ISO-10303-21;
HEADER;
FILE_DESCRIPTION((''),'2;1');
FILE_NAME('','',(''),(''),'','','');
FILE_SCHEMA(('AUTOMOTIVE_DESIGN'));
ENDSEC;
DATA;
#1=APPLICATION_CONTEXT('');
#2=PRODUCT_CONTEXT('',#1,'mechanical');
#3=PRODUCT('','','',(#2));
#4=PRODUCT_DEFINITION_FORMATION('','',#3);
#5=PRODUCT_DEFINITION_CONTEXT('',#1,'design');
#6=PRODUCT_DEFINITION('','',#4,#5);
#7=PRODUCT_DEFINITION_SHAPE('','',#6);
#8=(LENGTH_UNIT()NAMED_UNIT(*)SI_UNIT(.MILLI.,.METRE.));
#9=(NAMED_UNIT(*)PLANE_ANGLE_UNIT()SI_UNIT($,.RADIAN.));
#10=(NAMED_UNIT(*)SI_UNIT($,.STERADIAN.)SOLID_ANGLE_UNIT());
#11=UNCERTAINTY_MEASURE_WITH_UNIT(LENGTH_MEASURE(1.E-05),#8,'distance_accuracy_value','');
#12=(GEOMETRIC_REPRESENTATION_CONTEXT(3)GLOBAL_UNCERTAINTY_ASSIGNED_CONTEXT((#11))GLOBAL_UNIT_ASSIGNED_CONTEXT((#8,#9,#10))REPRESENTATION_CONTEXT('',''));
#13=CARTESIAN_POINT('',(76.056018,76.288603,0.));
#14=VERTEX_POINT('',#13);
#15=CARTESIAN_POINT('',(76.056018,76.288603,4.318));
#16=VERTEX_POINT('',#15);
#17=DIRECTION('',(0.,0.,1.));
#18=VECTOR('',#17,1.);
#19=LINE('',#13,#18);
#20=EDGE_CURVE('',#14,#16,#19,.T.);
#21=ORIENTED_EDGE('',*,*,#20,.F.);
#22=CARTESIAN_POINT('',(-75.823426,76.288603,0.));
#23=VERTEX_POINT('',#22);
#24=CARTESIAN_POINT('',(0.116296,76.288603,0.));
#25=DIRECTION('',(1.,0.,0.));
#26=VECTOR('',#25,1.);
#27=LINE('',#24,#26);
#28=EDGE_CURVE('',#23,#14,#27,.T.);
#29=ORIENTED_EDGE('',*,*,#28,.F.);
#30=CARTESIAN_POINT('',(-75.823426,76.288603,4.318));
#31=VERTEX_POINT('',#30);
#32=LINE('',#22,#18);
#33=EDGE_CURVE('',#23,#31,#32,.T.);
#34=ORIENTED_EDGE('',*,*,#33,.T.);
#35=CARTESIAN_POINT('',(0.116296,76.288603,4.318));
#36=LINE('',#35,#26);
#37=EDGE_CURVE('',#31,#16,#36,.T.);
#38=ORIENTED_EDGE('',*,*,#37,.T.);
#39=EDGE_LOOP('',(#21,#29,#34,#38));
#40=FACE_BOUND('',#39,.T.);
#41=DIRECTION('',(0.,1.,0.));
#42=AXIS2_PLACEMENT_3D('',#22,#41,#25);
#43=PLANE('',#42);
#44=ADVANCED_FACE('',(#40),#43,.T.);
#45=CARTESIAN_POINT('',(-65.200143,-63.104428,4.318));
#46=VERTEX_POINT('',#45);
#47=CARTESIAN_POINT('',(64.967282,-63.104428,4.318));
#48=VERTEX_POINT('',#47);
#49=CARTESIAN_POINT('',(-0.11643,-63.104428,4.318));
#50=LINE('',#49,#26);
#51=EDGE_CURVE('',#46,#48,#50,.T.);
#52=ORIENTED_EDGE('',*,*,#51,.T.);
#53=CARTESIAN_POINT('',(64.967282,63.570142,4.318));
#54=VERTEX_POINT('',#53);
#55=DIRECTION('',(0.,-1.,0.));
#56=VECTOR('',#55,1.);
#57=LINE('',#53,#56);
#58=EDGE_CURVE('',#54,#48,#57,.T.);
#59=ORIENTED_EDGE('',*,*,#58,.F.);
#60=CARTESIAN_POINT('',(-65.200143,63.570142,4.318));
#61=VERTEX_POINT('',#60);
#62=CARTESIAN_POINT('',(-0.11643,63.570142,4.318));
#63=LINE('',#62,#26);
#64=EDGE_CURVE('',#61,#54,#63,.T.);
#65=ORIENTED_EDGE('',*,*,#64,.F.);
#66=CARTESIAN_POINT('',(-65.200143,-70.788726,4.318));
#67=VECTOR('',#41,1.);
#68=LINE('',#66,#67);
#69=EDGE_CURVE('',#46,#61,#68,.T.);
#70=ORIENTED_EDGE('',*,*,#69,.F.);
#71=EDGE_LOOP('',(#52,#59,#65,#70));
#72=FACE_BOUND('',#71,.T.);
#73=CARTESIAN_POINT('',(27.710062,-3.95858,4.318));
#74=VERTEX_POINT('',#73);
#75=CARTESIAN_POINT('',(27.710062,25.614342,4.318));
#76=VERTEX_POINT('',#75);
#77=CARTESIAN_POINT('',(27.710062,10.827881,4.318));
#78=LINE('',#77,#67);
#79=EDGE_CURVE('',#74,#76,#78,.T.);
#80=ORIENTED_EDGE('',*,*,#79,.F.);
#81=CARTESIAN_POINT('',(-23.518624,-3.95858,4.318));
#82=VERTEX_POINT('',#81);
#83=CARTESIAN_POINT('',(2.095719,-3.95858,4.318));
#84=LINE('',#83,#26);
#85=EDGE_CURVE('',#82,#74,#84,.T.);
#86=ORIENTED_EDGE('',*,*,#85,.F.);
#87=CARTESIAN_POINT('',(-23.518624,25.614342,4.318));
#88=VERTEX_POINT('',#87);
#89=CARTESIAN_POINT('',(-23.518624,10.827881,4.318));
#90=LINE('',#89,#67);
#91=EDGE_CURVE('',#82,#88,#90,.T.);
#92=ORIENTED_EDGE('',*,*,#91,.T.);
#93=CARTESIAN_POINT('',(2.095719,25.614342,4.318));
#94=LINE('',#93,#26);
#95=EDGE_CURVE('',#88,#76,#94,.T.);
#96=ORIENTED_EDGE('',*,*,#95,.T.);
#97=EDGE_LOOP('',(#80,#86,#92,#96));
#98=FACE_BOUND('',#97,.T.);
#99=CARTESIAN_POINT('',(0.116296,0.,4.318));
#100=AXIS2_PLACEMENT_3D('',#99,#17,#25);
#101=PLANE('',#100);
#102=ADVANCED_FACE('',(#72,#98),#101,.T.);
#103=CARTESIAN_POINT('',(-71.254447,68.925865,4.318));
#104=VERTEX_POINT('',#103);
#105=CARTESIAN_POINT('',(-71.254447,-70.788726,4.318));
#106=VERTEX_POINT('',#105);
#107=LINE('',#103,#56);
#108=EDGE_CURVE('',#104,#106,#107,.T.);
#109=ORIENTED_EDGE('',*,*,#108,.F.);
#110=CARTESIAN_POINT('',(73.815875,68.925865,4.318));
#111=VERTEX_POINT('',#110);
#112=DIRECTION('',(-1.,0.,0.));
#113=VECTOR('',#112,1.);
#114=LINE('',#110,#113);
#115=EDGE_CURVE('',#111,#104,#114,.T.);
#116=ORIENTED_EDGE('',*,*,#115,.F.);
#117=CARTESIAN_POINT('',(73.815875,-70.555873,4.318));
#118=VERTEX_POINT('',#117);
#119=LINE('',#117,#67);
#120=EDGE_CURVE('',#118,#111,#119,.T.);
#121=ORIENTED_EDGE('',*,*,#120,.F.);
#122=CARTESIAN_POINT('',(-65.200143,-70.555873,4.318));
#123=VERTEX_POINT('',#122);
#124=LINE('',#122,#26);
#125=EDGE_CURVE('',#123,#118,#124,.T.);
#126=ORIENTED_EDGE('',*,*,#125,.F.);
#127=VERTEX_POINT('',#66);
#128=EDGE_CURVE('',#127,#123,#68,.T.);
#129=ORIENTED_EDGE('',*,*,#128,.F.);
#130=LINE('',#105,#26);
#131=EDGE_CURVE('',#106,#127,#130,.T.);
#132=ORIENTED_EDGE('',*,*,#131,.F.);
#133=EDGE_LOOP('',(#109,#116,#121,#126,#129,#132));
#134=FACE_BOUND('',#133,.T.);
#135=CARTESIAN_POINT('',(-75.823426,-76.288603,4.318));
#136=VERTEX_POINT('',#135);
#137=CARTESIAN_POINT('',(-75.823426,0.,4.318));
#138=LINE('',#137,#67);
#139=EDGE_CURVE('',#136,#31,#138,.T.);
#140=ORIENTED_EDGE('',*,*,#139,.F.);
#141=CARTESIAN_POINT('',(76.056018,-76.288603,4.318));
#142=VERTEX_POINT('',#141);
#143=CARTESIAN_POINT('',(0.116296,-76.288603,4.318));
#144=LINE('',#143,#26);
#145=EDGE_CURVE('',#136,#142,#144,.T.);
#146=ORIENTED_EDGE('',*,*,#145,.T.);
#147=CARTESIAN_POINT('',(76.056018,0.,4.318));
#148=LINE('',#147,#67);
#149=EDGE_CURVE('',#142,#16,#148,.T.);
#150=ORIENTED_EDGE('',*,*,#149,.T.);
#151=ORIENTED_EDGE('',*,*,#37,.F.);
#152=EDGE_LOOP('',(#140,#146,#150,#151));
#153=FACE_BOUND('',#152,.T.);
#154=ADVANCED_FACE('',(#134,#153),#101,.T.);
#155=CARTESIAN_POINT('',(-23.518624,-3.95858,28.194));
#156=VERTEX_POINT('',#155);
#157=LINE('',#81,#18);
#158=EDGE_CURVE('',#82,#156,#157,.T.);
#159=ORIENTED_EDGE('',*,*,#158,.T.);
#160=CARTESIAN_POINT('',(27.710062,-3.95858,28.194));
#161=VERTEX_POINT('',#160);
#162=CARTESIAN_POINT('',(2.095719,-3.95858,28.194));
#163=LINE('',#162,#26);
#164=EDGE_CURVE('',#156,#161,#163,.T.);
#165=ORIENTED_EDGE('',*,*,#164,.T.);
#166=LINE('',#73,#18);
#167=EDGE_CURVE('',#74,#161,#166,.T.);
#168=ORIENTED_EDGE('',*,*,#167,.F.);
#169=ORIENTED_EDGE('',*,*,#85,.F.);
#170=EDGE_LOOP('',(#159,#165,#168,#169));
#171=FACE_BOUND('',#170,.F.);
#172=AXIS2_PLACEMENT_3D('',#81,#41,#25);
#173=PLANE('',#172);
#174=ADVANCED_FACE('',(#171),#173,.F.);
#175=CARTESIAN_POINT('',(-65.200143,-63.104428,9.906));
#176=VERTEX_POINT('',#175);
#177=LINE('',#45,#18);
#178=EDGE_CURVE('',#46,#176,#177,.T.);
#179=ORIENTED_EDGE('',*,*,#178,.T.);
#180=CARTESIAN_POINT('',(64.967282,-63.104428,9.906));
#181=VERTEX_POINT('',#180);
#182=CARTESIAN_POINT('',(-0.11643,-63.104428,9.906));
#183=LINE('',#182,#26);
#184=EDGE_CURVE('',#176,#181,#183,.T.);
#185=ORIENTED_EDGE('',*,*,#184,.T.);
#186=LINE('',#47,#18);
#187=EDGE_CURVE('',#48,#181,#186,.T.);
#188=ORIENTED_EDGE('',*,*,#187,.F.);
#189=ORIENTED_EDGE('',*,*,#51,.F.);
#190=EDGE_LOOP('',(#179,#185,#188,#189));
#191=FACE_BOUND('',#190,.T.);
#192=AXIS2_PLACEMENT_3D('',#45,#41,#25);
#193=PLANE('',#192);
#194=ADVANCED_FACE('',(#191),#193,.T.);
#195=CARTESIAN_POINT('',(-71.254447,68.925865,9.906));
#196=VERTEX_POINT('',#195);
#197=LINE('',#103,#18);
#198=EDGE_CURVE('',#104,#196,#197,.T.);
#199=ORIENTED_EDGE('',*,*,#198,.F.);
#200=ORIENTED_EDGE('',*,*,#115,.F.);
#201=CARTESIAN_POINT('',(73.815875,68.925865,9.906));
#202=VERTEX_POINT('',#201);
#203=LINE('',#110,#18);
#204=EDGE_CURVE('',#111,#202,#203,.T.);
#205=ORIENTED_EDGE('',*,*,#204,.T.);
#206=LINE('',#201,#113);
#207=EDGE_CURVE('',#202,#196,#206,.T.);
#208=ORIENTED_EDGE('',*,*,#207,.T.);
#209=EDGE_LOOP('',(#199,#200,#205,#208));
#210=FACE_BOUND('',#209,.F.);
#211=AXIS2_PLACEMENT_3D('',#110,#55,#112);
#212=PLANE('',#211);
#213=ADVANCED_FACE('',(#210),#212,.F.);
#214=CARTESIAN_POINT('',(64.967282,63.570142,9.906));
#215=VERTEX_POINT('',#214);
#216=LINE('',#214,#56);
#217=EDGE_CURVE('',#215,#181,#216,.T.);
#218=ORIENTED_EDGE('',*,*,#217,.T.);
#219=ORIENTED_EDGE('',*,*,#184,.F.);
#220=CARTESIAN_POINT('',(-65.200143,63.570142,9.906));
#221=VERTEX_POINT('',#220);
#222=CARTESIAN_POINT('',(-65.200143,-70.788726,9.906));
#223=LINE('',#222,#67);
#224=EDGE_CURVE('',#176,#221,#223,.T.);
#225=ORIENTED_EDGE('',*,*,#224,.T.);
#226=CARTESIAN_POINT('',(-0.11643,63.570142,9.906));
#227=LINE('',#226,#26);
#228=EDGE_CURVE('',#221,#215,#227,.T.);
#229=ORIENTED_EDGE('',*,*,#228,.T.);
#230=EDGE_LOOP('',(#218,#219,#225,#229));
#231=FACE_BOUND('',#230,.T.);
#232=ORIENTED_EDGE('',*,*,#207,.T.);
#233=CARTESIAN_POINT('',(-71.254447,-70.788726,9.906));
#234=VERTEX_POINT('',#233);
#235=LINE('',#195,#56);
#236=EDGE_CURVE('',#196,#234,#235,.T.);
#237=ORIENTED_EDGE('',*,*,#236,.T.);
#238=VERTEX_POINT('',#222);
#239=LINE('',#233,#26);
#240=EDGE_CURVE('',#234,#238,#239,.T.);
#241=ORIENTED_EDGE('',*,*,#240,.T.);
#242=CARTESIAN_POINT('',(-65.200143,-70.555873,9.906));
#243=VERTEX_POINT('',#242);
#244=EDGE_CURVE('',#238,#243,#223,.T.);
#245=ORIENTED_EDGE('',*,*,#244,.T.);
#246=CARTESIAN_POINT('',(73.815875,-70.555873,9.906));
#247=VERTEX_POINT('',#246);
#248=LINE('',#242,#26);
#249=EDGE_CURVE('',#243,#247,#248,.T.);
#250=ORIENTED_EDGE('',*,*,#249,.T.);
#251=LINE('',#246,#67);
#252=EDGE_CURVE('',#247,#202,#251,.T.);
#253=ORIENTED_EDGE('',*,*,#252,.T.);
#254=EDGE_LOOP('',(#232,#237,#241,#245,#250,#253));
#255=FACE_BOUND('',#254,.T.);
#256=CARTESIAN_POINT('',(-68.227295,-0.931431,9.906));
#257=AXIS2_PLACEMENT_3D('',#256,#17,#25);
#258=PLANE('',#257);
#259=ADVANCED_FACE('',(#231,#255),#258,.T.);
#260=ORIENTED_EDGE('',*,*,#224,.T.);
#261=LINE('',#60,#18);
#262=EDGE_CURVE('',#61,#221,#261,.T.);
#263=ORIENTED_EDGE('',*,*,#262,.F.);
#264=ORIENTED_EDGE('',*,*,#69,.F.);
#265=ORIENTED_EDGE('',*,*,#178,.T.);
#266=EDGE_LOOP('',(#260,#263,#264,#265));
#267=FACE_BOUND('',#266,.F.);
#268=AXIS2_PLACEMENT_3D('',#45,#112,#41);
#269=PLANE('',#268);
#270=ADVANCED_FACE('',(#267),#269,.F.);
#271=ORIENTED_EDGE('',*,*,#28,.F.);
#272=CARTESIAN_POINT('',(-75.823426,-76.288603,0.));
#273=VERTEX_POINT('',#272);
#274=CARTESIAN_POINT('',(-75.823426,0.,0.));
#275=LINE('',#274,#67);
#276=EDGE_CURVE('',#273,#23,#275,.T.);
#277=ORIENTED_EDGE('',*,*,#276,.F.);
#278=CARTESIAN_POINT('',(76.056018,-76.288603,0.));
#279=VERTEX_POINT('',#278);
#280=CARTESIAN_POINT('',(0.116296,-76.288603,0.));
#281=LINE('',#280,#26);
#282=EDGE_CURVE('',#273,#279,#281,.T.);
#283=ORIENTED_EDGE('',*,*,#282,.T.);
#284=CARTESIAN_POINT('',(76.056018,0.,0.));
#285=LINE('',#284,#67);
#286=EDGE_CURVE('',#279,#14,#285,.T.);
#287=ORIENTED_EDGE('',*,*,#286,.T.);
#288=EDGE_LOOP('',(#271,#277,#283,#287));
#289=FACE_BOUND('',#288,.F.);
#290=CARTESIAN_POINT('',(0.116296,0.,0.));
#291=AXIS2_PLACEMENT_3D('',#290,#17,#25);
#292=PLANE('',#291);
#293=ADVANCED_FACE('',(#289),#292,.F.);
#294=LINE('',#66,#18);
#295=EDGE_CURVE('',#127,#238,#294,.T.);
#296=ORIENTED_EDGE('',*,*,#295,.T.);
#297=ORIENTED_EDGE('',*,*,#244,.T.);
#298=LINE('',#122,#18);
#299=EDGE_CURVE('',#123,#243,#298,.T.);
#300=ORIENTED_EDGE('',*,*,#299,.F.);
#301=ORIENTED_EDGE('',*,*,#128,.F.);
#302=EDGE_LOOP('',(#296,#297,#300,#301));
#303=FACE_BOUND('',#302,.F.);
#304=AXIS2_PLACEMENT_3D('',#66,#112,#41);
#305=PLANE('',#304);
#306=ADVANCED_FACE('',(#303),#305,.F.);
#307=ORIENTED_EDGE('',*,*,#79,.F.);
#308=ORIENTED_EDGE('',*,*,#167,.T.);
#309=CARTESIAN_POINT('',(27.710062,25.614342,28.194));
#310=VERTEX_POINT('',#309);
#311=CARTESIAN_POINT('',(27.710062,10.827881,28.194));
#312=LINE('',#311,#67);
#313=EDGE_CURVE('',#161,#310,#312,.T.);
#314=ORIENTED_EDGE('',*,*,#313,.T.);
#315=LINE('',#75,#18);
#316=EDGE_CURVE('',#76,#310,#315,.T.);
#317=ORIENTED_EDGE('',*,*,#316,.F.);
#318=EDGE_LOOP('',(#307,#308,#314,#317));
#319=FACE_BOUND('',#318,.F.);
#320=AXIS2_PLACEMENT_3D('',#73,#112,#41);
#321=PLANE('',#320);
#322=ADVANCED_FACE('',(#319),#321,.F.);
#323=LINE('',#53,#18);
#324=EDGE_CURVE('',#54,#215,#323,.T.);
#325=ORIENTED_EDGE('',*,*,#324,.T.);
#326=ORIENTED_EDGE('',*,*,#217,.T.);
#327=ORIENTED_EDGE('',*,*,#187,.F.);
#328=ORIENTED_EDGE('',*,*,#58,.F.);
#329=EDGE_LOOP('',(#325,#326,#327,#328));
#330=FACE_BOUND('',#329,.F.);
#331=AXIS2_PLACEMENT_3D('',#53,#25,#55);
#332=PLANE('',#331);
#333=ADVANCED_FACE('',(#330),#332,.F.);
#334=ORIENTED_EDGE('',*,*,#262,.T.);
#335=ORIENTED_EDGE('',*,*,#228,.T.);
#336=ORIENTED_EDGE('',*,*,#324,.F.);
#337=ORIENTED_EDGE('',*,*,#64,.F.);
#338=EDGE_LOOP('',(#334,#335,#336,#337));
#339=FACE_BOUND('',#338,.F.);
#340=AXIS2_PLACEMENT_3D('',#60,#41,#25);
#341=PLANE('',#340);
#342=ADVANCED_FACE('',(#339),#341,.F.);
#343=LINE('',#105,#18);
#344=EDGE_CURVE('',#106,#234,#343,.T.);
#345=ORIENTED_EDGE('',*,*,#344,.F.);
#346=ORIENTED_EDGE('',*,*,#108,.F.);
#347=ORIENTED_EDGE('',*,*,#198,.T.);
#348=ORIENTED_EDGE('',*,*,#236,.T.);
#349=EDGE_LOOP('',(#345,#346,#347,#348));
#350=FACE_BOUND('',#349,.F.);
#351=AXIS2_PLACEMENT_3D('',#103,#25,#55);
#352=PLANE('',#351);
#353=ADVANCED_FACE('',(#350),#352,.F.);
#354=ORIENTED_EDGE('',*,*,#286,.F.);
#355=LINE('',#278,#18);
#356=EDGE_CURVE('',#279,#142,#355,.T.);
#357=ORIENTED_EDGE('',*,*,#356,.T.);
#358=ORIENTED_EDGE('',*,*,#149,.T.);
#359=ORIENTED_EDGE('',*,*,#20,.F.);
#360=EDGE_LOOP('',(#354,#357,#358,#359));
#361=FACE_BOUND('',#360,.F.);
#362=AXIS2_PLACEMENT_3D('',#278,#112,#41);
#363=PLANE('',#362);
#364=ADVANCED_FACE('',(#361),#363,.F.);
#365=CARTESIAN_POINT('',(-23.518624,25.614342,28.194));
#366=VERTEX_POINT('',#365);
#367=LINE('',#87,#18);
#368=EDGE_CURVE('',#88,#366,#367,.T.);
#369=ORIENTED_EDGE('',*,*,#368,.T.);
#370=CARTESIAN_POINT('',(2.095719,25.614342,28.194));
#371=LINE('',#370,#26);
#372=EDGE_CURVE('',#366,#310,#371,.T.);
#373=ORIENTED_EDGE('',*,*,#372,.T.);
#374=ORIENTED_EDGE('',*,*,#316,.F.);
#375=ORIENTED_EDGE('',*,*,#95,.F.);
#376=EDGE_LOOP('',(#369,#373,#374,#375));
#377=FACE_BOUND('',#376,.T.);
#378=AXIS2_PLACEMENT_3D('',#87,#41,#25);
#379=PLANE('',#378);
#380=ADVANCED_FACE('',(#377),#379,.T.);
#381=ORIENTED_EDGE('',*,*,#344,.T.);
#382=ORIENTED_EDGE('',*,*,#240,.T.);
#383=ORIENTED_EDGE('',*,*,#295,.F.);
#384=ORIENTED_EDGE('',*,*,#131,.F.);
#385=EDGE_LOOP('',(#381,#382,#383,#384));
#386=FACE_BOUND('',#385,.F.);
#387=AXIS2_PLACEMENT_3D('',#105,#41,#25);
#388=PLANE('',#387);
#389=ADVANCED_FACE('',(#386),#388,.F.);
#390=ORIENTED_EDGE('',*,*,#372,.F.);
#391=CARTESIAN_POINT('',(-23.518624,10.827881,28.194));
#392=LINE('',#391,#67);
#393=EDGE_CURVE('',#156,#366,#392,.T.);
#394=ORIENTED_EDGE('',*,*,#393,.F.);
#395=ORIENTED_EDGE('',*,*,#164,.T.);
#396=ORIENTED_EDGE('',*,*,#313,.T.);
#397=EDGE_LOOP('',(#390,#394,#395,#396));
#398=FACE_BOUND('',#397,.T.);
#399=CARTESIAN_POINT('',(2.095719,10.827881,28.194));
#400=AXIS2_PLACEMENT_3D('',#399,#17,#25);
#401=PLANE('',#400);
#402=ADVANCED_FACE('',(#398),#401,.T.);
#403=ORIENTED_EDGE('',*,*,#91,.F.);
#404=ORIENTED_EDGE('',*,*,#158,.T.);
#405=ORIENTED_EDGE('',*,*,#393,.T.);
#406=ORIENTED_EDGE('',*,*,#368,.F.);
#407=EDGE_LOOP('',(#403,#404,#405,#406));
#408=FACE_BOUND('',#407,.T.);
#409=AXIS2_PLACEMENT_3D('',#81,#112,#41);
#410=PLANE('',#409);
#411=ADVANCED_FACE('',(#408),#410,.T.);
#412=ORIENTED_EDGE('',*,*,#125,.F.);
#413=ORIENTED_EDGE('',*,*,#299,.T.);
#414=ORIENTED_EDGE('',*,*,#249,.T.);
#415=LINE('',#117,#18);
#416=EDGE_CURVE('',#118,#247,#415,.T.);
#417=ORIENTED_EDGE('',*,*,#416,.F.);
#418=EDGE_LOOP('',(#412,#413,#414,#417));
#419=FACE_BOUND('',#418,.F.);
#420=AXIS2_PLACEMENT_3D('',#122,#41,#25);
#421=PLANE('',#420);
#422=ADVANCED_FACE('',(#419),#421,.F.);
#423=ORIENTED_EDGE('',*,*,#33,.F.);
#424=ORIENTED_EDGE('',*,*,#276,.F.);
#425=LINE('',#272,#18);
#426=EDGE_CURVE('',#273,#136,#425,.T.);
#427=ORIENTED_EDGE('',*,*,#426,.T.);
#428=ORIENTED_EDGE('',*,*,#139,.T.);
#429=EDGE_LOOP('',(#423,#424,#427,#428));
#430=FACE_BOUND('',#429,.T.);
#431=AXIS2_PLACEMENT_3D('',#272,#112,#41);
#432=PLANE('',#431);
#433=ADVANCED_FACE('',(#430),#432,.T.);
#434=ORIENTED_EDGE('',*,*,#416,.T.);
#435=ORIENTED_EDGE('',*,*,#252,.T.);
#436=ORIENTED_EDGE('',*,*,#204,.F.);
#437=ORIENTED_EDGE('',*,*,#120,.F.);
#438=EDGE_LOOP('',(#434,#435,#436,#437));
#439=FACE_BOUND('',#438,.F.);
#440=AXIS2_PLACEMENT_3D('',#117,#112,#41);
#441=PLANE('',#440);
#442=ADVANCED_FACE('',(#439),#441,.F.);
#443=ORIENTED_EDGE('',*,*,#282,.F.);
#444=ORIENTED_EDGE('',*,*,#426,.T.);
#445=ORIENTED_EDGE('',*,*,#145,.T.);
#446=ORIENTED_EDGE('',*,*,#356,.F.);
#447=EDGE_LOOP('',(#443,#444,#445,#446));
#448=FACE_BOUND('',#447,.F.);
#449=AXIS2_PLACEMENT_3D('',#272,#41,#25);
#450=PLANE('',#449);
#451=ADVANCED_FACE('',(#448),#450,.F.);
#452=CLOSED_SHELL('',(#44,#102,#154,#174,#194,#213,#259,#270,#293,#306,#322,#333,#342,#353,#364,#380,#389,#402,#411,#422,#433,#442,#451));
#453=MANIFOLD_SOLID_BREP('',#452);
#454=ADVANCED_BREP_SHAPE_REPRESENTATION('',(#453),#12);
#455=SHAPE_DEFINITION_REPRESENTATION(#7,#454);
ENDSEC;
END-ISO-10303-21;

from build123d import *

# Parameters (mm, degrees)
F0_W     = 151.8794447184
F0_H     = 152.5772064924
F1_DEPTH = 4.318
F2_W     = 130.1674246788
F2_H     = 5.3557232022
F2_H_2   = 7.4514448643
F3_DEPTH = 5.588
F4_W     = 51.2286853045
F4_H     = 29.5729218051
F5_DEPTH = 23.876


with BuildPart() as f1:
    # F0 (on Top) → F1 (new body)
    with BuildSketch(Plane.XY):
        with Locations((0.1162961125, 0)):
            Rectangle(F0_W, F0_H)
    extrude(amount=F1_DEPTH)

    # F2 (on face) → F3 (join)
    with BuildSketch(Plane.XY.offset(4.318)):
        Polygon((-65.2001425624, 63.5701417923), (-65.2001425624, 68.9258649945), (-71.2544471025, 68.9258649945), (-71.2544471025, -70.7887262106), (-65.2001425624, -70.7887262106), (-65.2001425624, -70.5558732152), (-65.2001425624, -63.1044283509), align=None)
        with Locations((-0.116430223, 66.2480033934)):
            Rectangle(F2_W, F2_H)
        Polygon((73.8158747554, 68.9258649945), (64.9672821164, 68.9258649945), (64.9672821164, 63.5701417923), (64.9672821164, -63.1044283509), (64.9672821164, -70.5558732152), (73.8158747554, -70.5558732152), align=None)
        with Locations((-0.116430223, -66.8301507831)):
            Rectangle(F2_W, F2_H_2)
    extrude(amount=F3_DEPTH)

    # F4 (on face) → F5 (join)
    with BuildSketch(Plane.XY.offset(4.318)):
        with Locations((2.0957188681, 10.8278808184)):
            Rectangle(F4_W, F4_H)
    extrude(amount=F5_DEPTH)


solid = f1.part
